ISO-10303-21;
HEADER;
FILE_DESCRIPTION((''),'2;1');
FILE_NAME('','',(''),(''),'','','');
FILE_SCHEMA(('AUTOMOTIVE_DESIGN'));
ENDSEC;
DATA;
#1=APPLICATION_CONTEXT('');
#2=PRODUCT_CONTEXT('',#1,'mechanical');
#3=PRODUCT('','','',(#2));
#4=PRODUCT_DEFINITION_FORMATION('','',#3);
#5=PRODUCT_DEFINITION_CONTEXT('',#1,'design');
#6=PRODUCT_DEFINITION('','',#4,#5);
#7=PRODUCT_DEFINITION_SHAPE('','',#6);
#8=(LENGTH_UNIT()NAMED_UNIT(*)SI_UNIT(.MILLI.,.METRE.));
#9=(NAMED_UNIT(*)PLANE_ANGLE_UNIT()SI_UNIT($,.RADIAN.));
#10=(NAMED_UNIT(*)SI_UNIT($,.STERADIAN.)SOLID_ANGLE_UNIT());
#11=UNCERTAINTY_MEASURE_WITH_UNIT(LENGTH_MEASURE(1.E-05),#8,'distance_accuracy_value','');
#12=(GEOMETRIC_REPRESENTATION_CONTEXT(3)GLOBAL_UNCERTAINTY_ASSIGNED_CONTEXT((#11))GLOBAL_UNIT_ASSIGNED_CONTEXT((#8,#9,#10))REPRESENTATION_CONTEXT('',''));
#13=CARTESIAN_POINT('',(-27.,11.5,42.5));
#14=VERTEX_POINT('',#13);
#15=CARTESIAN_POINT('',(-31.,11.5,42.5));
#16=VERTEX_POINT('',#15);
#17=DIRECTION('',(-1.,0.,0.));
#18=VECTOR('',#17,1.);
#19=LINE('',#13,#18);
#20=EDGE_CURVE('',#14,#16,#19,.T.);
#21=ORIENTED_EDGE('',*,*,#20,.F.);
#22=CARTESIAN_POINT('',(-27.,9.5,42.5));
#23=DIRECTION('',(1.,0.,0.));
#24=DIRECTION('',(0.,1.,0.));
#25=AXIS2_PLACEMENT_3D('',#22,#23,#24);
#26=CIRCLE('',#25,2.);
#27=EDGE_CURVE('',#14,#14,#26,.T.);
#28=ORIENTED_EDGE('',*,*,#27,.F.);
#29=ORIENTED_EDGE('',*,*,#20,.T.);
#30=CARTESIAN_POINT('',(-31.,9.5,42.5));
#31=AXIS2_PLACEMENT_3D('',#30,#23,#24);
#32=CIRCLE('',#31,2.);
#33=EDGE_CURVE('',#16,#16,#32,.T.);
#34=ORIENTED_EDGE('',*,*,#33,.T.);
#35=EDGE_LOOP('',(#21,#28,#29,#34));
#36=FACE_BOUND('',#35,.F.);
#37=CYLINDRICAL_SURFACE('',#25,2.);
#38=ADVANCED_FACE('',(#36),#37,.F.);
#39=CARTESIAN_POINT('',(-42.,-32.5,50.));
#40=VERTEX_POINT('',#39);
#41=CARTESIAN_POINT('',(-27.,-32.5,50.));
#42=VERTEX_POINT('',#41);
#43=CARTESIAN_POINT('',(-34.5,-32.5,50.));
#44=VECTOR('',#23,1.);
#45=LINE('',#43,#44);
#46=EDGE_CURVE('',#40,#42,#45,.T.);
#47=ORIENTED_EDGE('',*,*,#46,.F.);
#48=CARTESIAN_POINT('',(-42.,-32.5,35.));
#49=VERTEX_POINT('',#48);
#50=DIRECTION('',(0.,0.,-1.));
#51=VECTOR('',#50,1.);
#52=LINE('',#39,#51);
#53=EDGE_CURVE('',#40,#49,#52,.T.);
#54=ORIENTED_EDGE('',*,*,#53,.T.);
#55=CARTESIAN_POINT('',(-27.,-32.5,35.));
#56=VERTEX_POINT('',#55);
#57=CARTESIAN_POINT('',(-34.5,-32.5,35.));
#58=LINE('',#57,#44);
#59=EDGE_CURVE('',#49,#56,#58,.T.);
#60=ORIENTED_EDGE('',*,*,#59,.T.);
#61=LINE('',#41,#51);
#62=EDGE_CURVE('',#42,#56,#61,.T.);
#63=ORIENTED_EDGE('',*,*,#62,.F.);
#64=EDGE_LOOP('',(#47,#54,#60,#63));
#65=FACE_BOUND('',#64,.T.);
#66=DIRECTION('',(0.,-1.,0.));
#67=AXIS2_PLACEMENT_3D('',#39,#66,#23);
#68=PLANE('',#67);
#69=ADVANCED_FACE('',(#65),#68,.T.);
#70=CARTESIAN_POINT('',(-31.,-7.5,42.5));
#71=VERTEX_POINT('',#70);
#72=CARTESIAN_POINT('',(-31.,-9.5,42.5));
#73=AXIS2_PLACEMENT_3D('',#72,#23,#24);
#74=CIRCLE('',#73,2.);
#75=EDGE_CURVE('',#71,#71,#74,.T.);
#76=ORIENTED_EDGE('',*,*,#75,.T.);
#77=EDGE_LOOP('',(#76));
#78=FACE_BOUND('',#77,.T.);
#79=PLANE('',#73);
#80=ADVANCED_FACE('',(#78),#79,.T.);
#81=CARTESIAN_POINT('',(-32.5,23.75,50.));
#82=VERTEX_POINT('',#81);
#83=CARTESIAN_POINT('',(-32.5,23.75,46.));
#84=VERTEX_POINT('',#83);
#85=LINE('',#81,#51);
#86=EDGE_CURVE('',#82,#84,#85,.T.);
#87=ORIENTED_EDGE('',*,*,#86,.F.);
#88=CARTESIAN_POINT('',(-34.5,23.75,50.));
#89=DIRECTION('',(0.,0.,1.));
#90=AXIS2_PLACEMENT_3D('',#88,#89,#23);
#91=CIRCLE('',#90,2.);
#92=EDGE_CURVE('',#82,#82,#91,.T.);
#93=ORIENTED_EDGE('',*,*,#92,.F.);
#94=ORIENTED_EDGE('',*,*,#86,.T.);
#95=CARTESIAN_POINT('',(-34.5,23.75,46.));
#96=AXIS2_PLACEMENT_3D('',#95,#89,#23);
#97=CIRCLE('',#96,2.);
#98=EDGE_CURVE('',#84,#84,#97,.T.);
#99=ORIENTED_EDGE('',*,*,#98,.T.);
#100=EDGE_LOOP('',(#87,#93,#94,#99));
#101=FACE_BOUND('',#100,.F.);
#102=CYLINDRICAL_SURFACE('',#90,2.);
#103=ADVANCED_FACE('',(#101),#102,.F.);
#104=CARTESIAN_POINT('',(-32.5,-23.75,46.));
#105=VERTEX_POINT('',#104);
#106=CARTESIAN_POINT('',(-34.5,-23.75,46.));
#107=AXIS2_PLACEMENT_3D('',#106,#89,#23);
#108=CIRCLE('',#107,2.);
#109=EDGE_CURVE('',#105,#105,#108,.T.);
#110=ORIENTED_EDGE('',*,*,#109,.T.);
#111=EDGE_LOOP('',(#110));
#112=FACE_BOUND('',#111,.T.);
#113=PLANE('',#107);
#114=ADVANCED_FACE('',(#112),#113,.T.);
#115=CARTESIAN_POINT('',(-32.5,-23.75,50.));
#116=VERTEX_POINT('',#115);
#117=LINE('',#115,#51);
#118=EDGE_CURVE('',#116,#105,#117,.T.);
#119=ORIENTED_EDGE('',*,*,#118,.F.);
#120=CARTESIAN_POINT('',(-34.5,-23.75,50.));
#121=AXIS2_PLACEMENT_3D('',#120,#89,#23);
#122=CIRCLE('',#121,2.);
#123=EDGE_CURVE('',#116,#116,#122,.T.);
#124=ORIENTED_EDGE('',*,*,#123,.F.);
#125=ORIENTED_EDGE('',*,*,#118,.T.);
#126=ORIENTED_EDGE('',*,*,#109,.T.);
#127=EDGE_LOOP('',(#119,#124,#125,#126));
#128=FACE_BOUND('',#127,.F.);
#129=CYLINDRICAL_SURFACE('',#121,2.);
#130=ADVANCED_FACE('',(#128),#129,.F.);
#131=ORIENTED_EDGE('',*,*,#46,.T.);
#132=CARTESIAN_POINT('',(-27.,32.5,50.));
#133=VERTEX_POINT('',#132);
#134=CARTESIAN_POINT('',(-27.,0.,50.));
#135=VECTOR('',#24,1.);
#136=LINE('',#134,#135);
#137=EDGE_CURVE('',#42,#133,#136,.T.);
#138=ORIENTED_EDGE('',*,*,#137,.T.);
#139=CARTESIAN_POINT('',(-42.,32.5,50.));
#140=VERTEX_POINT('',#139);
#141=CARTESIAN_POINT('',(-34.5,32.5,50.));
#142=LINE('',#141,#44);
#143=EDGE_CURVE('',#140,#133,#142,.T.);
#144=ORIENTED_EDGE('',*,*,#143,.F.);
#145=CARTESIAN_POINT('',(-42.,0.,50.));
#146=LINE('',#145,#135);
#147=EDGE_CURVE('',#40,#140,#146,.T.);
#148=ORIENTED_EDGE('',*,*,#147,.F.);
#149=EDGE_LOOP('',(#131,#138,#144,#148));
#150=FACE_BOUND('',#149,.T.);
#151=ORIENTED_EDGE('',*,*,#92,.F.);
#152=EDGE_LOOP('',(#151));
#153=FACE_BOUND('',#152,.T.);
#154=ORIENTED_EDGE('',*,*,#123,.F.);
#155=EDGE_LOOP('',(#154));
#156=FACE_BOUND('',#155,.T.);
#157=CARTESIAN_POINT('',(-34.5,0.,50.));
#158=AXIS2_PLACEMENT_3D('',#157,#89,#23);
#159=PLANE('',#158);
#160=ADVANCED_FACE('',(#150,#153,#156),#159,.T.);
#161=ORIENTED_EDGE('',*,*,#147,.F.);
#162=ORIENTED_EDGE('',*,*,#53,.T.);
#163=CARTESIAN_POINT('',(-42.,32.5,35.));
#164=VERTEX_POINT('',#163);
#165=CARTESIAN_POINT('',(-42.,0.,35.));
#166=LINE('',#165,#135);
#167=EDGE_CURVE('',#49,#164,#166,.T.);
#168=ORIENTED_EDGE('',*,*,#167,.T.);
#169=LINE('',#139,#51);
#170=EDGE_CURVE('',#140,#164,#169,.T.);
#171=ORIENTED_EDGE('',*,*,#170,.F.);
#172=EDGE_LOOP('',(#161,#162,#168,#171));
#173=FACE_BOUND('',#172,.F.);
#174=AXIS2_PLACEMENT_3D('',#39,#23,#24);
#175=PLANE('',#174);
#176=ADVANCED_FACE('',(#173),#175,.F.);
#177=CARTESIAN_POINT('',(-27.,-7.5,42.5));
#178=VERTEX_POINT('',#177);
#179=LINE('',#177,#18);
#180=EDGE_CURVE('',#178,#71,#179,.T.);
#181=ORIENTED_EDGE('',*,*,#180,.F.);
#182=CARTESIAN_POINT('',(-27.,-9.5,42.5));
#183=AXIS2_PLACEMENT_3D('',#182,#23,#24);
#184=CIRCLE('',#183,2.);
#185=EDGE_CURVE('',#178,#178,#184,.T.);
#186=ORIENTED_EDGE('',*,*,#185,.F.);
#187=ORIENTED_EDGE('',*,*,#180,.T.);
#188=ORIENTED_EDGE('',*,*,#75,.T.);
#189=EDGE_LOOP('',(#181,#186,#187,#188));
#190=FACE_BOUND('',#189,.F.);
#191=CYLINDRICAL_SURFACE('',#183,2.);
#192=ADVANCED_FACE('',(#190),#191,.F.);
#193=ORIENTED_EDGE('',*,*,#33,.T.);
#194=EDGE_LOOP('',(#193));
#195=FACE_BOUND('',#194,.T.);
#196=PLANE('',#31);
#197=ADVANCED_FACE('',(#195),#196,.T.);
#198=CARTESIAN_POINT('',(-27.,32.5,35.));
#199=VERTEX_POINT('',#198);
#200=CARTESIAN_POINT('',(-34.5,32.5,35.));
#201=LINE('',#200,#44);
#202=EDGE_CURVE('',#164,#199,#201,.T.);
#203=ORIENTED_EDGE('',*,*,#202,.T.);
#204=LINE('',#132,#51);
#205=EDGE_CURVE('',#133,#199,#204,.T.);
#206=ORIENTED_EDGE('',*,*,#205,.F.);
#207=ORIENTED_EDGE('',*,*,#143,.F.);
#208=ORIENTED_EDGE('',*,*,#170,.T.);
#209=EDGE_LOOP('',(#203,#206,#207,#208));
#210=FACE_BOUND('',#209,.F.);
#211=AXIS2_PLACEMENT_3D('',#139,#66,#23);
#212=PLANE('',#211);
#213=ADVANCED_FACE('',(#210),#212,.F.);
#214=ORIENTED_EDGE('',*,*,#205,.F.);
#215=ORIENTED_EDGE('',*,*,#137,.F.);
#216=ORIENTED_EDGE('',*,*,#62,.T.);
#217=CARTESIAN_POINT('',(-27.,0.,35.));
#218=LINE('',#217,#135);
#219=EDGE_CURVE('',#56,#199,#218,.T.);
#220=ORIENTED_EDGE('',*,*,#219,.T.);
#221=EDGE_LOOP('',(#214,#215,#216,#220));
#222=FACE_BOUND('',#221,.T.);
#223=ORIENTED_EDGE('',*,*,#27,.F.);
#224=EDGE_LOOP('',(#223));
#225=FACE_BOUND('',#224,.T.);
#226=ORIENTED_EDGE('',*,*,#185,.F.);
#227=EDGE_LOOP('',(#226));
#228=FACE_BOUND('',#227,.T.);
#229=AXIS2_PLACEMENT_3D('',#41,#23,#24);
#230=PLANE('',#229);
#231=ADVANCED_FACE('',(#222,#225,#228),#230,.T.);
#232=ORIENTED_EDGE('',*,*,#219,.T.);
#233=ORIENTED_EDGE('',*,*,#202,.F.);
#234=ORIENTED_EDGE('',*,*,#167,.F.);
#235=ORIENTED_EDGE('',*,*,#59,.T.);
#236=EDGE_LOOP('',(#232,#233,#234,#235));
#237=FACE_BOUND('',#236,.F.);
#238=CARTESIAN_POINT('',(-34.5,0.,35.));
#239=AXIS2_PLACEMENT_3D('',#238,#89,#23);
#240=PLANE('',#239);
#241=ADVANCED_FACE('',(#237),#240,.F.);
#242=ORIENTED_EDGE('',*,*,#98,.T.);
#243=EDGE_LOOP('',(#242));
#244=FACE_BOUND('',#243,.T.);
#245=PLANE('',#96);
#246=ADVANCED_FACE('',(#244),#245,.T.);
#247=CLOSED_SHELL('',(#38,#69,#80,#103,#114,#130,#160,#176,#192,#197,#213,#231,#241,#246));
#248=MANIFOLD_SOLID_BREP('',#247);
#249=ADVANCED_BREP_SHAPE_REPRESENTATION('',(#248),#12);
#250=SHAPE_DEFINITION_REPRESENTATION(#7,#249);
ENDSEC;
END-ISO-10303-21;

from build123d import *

# Parameters (mm, degrees)
SKETCH014_W     = 15
SKETCH014_H     = 65
PAD008_DEPTH    = 15
SKETCH015_R     = 2
POCKET005_DEPTH = 4
SKETCH016_R     = 2
POCKET006_DEPTH = 4


with BuildPart() as part:
    # Sketch014 → Pad008 (new body)
    with BuildSketch(Plane(origin=(-27, 0, 50), x_dir=(1, 0, 0), z_dir=(0, 0, 1))):
        with Locations((-7.5, 0)):
            Rectangle(SKETCH014_W, SKETCH014_H)
    extrude(amount=-PAD008_DEPTH)

    # Sketch015 → Pocket005 (cut)
    with BuildSketch(Plane(origin=(-34.5, 0, 50), x_dir=(1, 0, 0), z_dir=(0, 0, 1))):
        with Locations((0, 23.75)):
            Circle(SKETCH015_R)
        with Locations((0, -23.75)):
            Circle(SKETCH015_R)
    extrude(amount=-POCKET005_DEPTH, mode=Mode.SUBTRACT)

    # Sketch016 → Pocket006 (cut)
    with BuildSketch(Plane.YZ.offset(-27)):
        with Locations((-9.5, 42.5)):
            Circle(SKETCH016_R)
        with Locations((9.5, 42.5)):
            Circle(SKETCH016_R)
    extrude(amount=-POCKET006_DEPTH, mode=Mode.SUBTRACT)


solid = part.part
